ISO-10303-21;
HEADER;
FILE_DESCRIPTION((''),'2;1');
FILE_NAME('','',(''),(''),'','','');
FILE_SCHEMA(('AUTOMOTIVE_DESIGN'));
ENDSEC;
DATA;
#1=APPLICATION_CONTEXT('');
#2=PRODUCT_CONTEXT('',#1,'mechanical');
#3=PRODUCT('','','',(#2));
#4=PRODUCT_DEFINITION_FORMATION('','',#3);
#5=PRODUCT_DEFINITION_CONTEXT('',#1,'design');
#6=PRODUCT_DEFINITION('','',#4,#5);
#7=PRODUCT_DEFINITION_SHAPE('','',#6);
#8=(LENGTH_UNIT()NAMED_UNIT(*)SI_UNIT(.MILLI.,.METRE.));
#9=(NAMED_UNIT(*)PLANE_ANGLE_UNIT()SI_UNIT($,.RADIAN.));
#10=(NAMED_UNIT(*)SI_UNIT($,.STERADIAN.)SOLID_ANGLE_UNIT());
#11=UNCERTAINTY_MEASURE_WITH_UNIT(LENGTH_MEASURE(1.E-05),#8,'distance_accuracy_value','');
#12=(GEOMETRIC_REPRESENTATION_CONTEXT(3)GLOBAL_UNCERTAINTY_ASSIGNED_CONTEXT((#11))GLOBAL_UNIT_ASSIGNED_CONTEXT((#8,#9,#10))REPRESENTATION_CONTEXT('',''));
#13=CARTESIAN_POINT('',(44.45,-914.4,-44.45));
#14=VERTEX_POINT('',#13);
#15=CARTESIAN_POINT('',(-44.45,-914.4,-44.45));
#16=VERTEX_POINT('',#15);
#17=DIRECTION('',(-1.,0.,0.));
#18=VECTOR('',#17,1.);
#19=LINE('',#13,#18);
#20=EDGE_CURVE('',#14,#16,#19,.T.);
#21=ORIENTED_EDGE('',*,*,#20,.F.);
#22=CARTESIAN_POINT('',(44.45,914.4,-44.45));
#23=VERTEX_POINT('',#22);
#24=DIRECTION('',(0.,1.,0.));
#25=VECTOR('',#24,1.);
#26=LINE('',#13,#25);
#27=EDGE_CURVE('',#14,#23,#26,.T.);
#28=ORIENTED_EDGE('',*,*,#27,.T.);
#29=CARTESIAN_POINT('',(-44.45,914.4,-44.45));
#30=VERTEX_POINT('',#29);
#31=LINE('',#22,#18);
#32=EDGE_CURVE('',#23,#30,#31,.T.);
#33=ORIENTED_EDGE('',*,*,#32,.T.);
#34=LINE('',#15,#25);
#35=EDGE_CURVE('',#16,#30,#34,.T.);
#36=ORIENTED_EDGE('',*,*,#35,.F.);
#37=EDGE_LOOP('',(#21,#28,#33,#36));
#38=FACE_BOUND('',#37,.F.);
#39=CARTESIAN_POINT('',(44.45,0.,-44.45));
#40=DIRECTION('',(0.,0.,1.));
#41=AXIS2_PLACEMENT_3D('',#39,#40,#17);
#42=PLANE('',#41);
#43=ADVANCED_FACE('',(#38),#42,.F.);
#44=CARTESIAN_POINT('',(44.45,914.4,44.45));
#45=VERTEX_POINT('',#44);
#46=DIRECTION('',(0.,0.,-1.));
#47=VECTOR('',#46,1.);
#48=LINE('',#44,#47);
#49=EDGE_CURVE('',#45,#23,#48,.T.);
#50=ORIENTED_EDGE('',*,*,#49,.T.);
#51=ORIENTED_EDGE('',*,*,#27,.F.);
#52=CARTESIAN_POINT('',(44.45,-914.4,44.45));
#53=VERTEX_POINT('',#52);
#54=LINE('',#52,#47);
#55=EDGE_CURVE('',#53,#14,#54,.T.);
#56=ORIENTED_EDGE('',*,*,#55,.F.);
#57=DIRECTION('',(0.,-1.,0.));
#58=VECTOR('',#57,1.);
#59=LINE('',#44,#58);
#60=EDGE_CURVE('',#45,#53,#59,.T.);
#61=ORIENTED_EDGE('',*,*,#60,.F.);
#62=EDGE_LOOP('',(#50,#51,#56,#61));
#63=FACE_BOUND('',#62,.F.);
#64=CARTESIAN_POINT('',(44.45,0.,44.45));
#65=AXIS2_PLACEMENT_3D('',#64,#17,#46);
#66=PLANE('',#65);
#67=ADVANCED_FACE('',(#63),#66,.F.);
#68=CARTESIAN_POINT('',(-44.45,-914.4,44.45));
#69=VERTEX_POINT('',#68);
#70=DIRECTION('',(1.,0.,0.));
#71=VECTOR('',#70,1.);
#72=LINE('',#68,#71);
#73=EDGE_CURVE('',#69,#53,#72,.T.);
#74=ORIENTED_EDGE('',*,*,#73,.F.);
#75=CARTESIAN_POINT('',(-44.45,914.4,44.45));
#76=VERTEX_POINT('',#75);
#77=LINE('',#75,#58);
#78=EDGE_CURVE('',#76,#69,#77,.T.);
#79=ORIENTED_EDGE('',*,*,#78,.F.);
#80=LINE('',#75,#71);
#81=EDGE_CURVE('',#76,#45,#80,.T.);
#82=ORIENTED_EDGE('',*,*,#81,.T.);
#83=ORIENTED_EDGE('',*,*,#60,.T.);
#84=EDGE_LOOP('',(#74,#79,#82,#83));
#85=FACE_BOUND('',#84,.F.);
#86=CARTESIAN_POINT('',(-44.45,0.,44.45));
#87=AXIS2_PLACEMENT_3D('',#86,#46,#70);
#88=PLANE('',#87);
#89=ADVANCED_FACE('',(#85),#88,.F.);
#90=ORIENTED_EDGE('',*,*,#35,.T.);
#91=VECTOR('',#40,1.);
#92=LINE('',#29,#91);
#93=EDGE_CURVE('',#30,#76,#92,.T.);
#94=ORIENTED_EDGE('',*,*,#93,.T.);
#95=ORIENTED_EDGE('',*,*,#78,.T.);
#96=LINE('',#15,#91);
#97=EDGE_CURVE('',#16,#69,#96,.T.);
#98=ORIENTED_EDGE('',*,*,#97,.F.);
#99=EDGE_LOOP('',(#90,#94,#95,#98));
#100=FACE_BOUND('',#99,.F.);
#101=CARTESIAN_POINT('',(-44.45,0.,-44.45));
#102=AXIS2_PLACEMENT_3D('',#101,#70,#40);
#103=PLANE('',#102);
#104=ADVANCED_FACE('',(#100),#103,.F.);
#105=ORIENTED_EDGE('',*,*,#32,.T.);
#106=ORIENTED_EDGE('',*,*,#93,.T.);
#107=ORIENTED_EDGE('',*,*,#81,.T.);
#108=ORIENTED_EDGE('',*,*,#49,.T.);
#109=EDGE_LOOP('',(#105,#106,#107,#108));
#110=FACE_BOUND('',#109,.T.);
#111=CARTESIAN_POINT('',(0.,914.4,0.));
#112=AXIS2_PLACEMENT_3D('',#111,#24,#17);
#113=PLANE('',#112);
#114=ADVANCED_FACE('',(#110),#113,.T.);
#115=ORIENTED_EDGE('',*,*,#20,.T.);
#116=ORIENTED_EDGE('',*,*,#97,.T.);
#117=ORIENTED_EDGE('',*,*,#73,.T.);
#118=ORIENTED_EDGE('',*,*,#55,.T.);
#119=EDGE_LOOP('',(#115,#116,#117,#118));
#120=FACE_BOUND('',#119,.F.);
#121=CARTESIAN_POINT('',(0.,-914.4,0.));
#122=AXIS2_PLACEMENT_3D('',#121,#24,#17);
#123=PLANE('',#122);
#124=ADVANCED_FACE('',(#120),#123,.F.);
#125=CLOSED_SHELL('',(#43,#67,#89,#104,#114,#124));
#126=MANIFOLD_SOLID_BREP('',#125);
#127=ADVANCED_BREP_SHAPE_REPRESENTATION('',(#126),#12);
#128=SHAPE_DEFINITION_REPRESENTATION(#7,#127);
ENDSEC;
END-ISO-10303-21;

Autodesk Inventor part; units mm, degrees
ref_plane "YZ Plane" through (0, 0, 0) normal (1, 0, 0) x (0, 1, 0)
ref_plane "XZ Plane" through (0, 0, 0) normal (0, 1, 0) x (-1, 0, 0)
ref_plane "XY Plane" through (0, 0, 0) normal (0, 0, 1) x (1, 0, 0)
sketch "Sketch1" plane through (0, 0, 0) normal (0, 1, 0) x (-1, 0, 0)
  line L0 (-44.45, -44.45) -> (44.45, -44.45)
  line L1 (44.45, -44.45) -> (44.45, 44.45)
  line L2 (44.45, 44.45) -> (-44.45, 44.45)
  line L3 (-44.45, 44.45) -> (-44.45, -44.45)
  line L4 (-44.45, -44.45) -> (44.45, 44.45) construction
  line L5 (44.45, -44.45) -> (-44.45, 44.45) construction
  point P0 (0, 0)
  dimension "d0" = 88.9
  dimension "d1" = 88.9
extrude "Extrusion1" add sketch "Sketch1" along normal mid plane 1828.8
properties part number "8'x4x4"
